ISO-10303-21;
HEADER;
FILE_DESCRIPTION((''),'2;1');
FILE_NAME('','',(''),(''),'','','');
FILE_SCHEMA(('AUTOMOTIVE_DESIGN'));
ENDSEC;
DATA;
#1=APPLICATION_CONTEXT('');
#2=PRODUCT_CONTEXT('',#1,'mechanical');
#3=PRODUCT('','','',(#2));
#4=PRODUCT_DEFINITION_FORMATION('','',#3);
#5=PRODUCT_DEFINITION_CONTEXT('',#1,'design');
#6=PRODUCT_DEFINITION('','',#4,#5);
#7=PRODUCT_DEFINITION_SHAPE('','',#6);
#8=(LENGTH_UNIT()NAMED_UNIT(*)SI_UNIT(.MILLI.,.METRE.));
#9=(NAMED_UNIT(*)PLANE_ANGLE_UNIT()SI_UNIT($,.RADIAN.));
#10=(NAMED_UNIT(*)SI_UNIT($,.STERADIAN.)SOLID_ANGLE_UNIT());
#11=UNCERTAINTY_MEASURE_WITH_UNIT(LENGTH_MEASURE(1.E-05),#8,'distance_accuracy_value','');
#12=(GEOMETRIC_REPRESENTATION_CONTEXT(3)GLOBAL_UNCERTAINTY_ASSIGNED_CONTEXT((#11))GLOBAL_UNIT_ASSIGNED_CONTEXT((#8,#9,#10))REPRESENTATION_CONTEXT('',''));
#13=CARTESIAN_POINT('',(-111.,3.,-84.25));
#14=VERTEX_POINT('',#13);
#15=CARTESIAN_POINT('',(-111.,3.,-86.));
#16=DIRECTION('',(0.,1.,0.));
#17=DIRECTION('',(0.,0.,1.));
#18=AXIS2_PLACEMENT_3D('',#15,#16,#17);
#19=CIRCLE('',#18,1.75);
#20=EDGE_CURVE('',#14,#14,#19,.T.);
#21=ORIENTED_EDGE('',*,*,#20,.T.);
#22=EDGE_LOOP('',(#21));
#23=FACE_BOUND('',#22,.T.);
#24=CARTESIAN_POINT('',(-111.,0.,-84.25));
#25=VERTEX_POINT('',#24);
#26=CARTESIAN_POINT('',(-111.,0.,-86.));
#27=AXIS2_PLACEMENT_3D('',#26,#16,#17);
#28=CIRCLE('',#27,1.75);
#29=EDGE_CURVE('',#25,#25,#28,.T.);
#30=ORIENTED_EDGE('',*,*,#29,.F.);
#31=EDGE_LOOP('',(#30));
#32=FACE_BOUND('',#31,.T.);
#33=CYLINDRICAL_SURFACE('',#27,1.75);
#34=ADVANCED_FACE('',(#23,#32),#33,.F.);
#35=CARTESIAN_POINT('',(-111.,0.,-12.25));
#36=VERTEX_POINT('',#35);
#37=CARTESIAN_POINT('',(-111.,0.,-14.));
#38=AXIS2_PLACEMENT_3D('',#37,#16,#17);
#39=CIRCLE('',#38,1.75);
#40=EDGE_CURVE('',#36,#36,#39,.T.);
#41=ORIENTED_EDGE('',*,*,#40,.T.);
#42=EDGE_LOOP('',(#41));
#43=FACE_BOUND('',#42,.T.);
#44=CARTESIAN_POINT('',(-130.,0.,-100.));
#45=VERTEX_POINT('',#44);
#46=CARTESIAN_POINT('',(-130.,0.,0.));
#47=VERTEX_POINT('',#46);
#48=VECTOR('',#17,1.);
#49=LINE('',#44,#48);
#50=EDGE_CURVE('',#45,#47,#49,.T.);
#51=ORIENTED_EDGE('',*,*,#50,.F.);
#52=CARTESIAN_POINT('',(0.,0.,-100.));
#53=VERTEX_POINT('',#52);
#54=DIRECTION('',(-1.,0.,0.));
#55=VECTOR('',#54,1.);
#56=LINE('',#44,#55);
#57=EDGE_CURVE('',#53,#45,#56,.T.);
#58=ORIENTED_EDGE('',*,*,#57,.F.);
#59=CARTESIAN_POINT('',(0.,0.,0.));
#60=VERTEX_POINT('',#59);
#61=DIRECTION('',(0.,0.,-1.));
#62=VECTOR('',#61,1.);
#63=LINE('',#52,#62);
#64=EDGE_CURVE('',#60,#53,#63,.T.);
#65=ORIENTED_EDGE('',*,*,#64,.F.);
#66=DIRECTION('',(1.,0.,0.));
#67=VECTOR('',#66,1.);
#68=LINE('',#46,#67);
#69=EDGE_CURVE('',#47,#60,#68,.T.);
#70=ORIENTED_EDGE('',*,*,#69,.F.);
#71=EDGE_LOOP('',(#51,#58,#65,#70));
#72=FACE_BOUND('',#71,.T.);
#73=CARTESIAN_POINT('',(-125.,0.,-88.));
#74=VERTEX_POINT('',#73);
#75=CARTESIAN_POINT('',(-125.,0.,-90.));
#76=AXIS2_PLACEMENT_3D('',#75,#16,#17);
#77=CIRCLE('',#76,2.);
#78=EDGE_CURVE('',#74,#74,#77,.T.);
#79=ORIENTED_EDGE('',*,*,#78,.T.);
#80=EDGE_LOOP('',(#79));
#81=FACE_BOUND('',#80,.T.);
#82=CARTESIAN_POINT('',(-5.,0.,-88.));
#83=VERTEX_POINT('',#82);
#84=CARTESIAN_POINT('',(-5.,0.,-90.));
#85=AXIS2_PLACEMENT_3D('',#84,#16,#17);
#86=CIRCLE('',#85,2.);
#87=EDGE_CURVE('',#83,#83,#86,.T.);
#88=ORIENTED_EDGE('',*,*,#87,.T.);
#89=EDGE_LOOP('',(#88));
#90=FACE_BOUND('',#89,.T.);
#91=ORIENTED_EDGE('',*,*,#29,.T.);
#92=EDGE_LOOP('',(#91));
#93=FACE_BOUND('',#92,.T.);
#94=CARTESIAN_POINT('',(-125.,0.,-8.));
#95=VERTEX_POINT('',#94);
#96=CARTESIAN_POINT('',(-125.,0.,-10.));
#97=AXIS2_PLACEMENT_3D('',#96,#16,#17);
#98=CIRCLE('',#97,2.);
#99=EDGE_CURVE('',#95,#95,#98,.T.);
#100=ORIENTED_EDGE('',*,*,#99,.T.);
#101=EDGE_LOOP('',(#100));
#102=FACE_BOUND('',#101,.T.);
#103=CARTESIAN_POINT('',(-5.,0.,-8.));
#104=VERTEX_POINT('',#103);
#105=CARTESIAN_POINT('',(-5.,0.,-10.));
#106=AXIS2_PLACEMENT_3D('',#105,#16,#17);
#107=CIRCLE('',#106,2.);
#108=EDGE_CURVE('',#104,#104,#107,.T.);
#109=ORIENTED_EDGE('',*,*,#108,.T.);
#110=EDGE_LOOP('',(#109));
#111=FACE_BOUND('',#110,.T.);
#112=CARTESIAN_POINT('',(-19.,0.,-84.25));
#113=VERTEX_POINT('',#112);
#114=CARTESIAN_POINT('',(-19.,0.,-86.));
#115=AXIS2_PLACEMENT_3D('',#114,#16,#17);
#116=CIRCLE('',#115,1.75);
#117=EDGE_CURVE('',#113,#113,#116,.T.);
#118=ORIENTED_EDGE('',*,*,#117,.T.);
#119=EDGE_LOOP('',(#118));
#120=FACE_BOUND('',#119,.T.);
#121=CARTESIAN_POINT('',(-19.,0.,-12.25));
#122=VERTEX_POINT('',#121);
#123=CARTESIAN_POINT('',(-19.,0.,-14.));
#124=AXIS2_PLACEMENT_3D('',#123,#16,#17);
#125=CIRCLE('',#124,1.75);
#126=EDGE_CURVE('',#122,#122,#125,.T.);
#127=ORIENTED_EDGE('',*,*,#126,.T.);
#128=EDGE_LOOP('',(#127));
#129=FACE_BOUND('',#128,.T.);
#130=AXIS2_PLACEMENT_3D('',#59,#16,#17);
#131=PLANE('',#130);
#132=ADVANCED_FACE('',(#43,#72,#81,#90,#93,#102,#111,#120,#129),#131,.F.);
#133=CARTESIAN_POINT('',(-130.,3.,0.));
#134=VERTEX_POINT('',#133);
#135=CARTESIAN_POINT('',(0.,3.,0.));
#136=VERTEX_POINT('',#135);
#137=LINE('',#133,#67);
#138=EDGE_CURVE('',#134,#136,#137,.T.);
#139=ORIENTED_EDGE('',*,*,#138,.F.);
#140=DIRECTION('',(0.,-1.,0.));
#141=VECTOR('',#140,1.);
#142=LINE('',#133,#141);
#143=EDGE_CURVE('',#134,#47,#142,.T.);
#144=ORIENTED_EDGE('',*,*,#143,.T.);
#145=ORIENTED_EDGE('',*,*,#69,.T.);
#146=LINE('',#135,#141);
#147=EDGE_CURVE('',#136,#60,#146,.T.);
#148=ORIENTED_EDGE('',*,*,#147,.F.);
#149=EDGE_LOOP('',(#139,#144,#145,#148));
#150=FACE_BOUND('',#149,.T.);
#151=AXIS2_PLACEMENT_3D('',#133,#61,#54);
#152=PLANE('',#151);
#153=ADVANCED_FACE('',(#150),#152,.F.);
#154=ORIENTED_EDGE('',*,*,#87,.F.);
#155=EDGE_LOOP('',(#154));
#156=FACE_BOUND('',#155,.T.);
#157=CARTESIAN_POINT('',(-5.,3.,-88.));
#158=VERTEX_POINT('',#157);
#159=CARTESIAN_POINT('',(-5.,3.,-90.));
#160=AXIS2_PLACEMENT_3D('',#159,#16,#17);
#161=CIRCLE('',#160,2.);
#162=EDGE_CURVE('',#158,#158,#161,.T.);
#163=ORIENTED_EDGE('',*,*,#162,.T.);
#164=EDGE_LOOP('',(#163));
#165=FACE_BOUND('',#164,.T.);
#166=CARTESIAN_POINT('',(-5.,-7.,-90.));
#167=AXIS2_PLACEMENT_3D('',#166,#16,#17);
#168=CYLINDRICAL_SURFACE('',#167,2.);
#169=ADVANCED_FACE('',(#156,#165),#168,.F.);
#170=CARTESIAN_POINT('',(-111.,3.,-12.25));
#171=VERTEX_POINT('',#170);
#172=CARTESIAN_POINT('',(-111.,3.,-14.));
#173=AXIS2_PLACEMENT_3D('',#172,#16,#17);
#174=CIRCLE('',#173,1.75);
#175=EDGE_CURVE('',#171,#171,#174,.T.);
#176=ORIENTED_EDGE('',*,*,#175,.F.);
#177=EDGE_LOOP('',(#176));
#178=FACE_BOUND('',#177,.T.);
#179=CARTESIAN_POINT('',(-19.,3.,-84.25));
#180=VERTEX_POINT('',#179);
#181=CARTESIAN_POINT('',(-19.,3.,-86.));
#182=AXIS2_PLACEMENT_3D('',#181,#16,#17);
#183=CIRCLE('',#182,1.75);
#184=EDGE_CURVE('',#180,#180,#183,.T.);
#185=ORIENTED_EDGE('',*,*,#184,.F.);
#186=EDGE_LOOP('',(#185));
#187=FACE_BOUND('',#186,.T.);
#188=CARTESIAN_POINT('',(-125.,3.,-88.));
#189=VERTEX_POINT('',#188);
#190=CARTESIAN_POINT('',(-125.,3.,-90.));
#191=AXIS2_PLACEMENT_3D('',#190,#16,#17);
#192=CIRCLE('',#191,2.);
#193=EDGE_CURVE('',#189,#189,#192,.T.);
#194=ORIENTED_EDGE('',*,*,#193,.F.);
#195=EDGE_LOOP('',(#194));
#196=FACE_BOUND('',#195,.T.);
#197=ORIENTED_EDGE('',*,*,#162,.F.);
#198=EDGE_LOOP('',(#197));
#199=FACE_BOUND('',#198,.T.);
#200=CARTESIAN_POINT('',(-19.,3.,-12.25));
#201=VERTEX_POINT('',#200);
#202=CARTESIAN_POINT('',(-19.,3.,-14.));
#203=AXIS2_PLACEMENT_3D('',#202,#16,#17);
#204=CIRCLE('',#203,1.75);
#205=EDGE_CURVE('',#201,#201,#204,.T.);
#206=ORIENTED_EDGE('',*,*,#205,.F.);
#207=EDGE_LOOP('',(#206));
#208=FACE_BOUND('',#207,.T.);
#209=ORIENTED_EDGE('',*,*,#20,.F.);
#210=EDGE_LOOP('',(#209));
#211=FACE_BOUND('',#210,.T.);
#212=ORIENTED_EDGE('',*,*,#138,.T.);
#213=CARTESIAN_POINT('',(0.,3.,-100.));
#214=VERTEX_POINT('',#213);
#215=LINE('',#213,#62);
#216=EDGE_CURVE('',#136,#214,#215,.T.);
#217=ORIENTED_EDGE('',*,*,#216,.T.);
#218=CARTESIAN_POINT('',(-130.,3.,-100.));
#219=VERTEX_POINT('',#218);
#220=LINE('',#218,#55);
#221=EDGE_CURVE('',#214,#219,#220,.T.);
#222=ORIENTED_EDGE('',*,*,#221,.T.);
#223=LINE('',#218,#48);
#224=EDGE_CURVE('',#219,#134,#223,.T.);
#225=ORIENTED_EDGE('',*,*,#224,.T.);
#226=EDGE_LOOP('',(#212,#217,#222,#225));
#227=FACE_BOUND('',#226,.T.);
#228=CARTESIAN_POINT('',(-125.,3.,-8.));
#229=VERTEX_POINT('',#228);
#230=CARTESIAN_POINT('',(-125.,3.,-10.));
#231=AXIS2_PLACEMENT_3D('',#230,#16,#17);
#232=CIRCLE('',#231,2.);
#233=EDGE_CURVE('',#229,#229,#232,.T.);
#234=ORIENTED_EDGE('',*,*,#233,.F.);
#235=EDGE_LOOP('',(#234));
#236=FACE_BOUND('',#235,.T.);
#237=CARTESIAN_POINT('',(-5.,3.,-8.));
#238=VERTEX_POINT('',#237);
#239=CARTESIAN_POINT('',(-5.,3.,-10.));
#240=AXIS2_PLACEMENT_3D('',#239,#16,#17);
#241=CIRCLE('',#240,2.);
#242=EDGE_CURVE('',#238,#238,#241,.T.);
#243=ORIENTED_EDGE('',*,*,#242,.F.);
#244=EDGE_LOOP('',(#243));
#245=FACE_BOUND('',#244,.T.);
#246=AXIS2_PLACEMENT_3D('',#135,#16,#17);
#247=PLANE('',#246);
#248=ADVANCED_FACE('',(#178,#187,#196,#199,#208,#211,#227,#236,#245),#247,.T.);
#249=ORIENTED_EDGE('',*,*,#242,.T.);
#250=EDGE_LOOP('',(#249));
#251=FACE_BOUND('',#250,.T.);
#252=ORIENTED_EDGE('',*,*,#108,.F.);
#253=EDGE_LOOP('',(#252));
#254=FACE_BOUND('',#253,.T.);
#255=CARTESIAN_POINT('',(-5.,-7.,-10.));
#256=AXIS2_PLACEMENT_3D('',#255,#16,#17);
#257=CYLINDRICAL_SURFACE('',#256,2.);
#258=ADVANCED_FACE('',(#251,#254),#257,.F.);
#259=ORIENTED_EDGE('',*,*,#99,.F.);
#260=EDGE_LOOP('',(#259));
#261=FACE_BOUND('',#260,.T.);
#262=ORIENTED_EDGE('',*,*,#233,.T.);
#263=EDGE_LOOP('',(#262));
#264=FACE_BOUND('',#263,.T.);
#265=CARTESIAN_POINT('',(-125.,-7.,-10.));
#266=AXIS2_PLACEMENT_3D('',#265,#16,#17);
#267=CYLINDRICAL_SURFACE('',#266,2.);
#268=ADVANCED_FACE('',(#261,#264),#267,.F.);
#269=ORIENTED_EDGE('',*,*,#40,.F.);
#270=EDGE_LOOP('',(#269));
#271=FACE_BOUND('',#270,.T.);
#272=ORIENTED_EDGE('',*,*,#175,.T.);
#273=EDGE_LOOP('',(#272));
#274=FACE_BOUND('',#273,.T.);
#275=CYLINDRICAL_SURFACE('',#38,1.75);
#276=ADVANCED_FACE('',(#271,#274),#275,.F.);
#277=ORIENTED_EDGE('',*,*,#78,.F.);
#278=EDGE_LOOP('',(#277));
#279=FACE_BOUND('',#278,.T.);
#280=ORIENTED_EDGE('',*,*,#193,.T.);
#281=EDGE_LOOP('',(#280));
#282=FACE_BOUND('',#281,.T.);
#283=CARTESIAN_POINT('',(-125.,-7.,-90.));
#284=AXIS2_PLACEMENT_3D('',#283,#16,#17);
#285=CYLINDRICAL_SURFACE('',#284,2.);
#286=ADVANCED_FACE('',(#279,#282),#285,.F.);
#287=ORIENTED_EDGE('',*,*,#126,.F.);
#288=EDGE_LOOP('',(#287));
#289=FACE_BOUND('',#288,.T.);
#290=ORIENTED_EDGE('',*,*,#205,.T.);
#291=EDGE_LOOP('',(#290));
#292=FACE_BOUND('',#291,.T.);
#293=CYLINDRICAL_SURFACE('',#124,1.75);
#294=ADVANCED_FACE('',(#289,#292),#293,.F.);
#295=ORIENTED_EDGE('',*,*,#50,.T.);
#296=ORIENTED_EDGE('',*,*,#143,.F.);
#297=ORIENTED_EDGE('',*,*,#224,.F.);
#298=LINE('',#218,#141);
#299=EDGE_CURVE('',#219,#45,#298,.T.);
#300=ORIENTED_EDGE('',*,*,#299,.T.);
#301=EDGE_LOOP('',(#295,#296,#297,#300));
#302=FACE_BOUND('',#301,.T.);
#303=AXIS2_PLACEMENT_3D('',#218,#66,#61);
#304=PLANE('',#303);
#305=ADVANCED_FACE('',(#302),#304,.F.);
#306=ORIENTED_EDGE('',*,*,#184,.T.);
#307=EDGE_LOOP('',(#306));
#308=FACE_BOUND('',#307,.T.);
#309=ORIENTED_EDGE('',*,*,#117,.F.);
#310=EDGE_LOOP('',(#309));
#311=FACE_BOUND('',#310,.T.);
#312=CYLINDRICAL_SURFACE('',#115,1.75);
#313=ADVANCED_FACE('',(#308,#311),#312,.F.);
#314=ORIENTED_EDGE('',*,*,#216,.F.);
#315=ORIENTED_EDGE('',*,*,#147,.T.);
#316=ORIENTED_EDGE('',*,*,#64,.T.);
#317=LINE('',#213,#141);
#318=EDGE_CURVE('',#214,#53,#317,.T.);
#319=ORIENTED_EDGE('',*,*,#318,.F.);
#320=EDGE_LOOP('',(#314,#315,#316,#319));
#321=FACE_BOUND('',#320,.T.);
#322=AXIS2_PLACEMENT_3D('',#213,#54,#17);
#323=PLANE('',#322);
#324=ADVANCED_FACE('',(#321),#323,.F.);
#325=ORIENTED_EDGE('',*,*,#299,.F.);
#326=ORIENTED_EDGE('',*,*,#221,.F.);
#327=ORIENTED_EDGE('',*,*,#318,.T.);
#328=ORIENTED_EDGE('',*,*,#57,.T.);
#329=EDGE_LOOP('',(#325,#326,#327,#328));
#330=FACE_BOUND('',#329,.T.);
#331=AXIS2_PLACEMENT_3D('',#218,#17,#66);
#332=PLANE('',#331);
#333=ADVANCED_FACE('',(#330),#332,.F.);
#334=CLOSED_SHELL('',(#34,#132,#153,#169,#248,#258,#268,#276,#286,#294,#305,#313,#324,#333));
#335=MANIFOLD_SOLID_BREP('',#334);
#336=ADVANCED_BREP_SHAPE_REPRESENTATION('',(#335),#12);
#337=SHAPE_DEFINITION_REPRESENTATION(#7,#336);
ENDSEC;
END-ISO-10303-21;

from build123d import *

# Parameters (mm, degrees)
ESBO_O2_W                = 130
ESBO_O2_H                = 100
RESSALTO_EXTRUS_O1_DEPTH = 3
ESBO_O5_R                = 1.75
CORTE_EXTRUS_O1_DEPTH    = 3
ESBO_O6_R                = 2
CORTE_EXTRUS_O2_DEPTH    = 10
ESBO_O7_R                = 2
CORTE_EXTRUS_O3_DEPTH    = 10
ESBO_O8_R                = 2
CORTE_EXTRUS_O4_DEPTH    = 10


with BuildPart() as part:
    # Esboço2 → Ressalto-extrusão1 (new body)
    with BuildSketch(Plane(origin=(0, 0, 0), x_dir=(1, 0, 0), z_dir=(0, 1, 0))):
        with Locations((-65, 50)):
            Rectangle(ESBO_O2_W, ESBO_O2_H)
    extrude(amount=RESSALTO_EXTRUS_O1_DEPTH)

    # Esboço5 → Corte-extrusão1 (cut)
    with BuildSketch(Plane(origin=(0, 3, 0), x_dir=(1, 0, 0), z_dir=(0, 1, 0))):
        with Locations(Location((-111, 86, 0), (0, 0, 270))):
            Circle(ESBO_O5_R)
        with Locations(Location((-19, 86, 0), (0, 0, 270))):
            Circle(ESBO_O5_R)
        with Locations(Location((-19, 14, 0), (0, 0, 270))):
            Circle(ESBO_O5_R)
        with Locations(Location((-111, 14, 0), (0, 0, 270))):
            Circle(ESBO_O5_R)
    extrude(amount=-CORTE_EXTRUS_O1_DEPTH, mode=Mode.SUBTRACT)

    # Esboço6 → Corte-extrusão2 (cut)
    with BuildSketch(Plane(origin=(0, 3, 0), x_dir=(1, 0, 0), z_dir=(0, 1, 0))):
        with Locations(Location((-5, 90, 0), (0, 0, 270))):
            Circle(ESBO_O6_R)
        with Locations(Location((-125, 90, 0), (0, 0, 270))):
            Circle(ESBO_O6_R)
    extrude(amount=-CORTE_EXTRUS_O2_DEPTH, mode=Mode.SUBTRACT)

    # Esboço7 → Corte-extrusão3 (cut)
    with BuildSketch(Plane(origin=(0, 3, 0), x_dir=(1, 0, 0), z_dir=(0, 1, 0))):
        with Locations(Location((-125, 10, 0), (0, 0, 270))):
            Circle(ESBO_O7_R)
    extrude(amount=-CORTE_EXTRUS_O3_DEPTH, mode=Mode.SUBTRACT)

    # Esboço8 → Corte-extrusão4 (cut)
    with BuildSketch(Plane(origin=(0, 3, 0), x_dir=(1, 0, 0), z_dir=(0, 1, 0))):
        with Locations(Location((-5, 10, 0), (0, 0, 270))):
            Circle(ESBO_O8_R)
    extrude(amount=-CORTE_EXTRUS_O4_DEPTH, mode=Mode.SUBTRACT)


solid = part.part
